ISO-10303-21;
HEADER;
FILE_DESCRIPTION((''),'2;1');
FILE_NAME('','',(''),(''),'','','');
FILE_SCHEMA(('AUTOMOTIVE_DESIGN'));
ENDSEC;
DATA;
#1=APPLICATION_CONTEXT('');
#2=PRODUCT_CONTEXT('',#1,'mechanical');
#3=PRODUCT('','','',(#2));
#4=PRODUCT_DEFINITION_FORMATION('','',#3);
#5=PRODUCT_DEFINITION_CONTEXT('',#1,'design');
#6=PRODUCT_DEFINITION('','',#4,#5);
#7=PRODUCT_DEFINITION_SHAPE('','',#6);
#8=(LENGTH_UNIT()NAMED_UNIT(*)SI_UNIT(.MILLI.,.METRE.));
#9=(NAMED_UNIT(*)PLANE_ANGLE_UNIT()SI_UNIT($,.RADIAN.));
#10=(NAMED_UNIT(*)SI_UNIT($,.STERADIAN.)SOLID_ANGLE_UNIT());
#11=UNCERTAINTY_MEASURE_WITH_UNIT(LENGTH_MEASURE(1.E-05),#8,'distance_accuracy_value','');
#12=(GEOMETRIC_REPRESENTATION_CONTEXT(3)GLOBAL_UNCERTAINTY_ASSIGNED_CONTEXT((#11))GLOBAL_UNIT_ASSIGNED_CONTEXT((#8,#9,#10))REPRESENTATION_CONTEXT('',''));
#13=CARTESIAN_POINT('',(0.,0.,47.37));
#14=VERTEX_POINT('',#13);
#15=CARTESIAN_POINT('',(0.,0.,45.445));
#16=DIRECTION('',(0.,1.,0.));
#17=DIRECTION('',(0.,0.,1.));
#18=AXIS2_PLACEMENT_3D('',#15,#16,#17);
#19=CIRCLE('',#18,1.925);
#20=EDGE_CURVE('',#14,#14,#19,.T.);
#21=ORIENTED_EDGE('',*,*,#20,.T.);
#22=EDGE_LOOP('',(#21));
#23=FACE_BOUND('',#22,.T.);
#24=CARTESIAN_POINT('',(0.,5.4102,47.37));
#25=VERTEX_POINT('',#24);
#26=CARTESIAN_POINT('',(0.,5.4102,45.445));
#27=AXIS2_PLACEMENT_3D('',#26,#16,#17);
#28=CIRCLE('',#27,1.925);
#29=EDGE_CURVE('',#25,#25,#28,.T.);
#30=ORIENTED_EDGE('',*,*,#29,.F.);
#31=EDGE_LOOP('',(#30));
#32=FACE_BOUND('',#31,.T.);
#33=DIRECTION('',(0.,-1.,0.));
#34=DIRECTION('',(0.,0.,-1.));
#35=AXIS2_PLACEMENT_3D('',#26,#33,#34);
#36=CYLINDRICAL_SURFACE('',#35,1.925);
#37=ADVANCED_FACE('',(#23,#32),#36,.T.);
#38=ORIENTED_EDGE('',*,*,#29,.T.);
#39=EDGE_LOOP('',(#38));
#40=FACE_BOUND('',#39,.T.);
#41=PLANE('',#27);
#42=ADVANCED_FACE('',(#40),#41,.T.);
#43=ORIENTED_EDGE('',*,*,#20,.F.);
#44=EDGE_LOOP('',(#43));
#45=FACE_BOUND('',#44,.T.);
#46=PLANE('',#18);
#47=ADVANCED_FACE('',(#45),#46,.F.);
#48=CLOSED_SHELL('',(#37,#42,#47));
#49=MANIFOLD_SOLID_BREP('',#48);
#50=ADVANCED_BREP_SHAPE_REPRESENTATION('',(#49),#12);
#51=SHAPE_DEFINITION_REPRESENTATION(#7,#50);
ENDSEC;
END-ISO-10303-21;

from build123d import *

# Parameters (mm, degrees)
SKETCH1_R           = 1.925
BOSS_EXTRUDE1_DEPTH = 5.4102


with BuildPart() as part:
    # Sketch1 → Boss-Extrude1 (new body)
    with BuildSketch(Plane(origin=(0, 0, 0), x_dir=(1, 0, 0), z_dir=(0, 1, 0))):
        with Locations((0, -45.445)):
            Circle(SKETCH1_R)
    extrude(amount=BOSS_EXTRUDE1_DEPTH)


solid = part.part
